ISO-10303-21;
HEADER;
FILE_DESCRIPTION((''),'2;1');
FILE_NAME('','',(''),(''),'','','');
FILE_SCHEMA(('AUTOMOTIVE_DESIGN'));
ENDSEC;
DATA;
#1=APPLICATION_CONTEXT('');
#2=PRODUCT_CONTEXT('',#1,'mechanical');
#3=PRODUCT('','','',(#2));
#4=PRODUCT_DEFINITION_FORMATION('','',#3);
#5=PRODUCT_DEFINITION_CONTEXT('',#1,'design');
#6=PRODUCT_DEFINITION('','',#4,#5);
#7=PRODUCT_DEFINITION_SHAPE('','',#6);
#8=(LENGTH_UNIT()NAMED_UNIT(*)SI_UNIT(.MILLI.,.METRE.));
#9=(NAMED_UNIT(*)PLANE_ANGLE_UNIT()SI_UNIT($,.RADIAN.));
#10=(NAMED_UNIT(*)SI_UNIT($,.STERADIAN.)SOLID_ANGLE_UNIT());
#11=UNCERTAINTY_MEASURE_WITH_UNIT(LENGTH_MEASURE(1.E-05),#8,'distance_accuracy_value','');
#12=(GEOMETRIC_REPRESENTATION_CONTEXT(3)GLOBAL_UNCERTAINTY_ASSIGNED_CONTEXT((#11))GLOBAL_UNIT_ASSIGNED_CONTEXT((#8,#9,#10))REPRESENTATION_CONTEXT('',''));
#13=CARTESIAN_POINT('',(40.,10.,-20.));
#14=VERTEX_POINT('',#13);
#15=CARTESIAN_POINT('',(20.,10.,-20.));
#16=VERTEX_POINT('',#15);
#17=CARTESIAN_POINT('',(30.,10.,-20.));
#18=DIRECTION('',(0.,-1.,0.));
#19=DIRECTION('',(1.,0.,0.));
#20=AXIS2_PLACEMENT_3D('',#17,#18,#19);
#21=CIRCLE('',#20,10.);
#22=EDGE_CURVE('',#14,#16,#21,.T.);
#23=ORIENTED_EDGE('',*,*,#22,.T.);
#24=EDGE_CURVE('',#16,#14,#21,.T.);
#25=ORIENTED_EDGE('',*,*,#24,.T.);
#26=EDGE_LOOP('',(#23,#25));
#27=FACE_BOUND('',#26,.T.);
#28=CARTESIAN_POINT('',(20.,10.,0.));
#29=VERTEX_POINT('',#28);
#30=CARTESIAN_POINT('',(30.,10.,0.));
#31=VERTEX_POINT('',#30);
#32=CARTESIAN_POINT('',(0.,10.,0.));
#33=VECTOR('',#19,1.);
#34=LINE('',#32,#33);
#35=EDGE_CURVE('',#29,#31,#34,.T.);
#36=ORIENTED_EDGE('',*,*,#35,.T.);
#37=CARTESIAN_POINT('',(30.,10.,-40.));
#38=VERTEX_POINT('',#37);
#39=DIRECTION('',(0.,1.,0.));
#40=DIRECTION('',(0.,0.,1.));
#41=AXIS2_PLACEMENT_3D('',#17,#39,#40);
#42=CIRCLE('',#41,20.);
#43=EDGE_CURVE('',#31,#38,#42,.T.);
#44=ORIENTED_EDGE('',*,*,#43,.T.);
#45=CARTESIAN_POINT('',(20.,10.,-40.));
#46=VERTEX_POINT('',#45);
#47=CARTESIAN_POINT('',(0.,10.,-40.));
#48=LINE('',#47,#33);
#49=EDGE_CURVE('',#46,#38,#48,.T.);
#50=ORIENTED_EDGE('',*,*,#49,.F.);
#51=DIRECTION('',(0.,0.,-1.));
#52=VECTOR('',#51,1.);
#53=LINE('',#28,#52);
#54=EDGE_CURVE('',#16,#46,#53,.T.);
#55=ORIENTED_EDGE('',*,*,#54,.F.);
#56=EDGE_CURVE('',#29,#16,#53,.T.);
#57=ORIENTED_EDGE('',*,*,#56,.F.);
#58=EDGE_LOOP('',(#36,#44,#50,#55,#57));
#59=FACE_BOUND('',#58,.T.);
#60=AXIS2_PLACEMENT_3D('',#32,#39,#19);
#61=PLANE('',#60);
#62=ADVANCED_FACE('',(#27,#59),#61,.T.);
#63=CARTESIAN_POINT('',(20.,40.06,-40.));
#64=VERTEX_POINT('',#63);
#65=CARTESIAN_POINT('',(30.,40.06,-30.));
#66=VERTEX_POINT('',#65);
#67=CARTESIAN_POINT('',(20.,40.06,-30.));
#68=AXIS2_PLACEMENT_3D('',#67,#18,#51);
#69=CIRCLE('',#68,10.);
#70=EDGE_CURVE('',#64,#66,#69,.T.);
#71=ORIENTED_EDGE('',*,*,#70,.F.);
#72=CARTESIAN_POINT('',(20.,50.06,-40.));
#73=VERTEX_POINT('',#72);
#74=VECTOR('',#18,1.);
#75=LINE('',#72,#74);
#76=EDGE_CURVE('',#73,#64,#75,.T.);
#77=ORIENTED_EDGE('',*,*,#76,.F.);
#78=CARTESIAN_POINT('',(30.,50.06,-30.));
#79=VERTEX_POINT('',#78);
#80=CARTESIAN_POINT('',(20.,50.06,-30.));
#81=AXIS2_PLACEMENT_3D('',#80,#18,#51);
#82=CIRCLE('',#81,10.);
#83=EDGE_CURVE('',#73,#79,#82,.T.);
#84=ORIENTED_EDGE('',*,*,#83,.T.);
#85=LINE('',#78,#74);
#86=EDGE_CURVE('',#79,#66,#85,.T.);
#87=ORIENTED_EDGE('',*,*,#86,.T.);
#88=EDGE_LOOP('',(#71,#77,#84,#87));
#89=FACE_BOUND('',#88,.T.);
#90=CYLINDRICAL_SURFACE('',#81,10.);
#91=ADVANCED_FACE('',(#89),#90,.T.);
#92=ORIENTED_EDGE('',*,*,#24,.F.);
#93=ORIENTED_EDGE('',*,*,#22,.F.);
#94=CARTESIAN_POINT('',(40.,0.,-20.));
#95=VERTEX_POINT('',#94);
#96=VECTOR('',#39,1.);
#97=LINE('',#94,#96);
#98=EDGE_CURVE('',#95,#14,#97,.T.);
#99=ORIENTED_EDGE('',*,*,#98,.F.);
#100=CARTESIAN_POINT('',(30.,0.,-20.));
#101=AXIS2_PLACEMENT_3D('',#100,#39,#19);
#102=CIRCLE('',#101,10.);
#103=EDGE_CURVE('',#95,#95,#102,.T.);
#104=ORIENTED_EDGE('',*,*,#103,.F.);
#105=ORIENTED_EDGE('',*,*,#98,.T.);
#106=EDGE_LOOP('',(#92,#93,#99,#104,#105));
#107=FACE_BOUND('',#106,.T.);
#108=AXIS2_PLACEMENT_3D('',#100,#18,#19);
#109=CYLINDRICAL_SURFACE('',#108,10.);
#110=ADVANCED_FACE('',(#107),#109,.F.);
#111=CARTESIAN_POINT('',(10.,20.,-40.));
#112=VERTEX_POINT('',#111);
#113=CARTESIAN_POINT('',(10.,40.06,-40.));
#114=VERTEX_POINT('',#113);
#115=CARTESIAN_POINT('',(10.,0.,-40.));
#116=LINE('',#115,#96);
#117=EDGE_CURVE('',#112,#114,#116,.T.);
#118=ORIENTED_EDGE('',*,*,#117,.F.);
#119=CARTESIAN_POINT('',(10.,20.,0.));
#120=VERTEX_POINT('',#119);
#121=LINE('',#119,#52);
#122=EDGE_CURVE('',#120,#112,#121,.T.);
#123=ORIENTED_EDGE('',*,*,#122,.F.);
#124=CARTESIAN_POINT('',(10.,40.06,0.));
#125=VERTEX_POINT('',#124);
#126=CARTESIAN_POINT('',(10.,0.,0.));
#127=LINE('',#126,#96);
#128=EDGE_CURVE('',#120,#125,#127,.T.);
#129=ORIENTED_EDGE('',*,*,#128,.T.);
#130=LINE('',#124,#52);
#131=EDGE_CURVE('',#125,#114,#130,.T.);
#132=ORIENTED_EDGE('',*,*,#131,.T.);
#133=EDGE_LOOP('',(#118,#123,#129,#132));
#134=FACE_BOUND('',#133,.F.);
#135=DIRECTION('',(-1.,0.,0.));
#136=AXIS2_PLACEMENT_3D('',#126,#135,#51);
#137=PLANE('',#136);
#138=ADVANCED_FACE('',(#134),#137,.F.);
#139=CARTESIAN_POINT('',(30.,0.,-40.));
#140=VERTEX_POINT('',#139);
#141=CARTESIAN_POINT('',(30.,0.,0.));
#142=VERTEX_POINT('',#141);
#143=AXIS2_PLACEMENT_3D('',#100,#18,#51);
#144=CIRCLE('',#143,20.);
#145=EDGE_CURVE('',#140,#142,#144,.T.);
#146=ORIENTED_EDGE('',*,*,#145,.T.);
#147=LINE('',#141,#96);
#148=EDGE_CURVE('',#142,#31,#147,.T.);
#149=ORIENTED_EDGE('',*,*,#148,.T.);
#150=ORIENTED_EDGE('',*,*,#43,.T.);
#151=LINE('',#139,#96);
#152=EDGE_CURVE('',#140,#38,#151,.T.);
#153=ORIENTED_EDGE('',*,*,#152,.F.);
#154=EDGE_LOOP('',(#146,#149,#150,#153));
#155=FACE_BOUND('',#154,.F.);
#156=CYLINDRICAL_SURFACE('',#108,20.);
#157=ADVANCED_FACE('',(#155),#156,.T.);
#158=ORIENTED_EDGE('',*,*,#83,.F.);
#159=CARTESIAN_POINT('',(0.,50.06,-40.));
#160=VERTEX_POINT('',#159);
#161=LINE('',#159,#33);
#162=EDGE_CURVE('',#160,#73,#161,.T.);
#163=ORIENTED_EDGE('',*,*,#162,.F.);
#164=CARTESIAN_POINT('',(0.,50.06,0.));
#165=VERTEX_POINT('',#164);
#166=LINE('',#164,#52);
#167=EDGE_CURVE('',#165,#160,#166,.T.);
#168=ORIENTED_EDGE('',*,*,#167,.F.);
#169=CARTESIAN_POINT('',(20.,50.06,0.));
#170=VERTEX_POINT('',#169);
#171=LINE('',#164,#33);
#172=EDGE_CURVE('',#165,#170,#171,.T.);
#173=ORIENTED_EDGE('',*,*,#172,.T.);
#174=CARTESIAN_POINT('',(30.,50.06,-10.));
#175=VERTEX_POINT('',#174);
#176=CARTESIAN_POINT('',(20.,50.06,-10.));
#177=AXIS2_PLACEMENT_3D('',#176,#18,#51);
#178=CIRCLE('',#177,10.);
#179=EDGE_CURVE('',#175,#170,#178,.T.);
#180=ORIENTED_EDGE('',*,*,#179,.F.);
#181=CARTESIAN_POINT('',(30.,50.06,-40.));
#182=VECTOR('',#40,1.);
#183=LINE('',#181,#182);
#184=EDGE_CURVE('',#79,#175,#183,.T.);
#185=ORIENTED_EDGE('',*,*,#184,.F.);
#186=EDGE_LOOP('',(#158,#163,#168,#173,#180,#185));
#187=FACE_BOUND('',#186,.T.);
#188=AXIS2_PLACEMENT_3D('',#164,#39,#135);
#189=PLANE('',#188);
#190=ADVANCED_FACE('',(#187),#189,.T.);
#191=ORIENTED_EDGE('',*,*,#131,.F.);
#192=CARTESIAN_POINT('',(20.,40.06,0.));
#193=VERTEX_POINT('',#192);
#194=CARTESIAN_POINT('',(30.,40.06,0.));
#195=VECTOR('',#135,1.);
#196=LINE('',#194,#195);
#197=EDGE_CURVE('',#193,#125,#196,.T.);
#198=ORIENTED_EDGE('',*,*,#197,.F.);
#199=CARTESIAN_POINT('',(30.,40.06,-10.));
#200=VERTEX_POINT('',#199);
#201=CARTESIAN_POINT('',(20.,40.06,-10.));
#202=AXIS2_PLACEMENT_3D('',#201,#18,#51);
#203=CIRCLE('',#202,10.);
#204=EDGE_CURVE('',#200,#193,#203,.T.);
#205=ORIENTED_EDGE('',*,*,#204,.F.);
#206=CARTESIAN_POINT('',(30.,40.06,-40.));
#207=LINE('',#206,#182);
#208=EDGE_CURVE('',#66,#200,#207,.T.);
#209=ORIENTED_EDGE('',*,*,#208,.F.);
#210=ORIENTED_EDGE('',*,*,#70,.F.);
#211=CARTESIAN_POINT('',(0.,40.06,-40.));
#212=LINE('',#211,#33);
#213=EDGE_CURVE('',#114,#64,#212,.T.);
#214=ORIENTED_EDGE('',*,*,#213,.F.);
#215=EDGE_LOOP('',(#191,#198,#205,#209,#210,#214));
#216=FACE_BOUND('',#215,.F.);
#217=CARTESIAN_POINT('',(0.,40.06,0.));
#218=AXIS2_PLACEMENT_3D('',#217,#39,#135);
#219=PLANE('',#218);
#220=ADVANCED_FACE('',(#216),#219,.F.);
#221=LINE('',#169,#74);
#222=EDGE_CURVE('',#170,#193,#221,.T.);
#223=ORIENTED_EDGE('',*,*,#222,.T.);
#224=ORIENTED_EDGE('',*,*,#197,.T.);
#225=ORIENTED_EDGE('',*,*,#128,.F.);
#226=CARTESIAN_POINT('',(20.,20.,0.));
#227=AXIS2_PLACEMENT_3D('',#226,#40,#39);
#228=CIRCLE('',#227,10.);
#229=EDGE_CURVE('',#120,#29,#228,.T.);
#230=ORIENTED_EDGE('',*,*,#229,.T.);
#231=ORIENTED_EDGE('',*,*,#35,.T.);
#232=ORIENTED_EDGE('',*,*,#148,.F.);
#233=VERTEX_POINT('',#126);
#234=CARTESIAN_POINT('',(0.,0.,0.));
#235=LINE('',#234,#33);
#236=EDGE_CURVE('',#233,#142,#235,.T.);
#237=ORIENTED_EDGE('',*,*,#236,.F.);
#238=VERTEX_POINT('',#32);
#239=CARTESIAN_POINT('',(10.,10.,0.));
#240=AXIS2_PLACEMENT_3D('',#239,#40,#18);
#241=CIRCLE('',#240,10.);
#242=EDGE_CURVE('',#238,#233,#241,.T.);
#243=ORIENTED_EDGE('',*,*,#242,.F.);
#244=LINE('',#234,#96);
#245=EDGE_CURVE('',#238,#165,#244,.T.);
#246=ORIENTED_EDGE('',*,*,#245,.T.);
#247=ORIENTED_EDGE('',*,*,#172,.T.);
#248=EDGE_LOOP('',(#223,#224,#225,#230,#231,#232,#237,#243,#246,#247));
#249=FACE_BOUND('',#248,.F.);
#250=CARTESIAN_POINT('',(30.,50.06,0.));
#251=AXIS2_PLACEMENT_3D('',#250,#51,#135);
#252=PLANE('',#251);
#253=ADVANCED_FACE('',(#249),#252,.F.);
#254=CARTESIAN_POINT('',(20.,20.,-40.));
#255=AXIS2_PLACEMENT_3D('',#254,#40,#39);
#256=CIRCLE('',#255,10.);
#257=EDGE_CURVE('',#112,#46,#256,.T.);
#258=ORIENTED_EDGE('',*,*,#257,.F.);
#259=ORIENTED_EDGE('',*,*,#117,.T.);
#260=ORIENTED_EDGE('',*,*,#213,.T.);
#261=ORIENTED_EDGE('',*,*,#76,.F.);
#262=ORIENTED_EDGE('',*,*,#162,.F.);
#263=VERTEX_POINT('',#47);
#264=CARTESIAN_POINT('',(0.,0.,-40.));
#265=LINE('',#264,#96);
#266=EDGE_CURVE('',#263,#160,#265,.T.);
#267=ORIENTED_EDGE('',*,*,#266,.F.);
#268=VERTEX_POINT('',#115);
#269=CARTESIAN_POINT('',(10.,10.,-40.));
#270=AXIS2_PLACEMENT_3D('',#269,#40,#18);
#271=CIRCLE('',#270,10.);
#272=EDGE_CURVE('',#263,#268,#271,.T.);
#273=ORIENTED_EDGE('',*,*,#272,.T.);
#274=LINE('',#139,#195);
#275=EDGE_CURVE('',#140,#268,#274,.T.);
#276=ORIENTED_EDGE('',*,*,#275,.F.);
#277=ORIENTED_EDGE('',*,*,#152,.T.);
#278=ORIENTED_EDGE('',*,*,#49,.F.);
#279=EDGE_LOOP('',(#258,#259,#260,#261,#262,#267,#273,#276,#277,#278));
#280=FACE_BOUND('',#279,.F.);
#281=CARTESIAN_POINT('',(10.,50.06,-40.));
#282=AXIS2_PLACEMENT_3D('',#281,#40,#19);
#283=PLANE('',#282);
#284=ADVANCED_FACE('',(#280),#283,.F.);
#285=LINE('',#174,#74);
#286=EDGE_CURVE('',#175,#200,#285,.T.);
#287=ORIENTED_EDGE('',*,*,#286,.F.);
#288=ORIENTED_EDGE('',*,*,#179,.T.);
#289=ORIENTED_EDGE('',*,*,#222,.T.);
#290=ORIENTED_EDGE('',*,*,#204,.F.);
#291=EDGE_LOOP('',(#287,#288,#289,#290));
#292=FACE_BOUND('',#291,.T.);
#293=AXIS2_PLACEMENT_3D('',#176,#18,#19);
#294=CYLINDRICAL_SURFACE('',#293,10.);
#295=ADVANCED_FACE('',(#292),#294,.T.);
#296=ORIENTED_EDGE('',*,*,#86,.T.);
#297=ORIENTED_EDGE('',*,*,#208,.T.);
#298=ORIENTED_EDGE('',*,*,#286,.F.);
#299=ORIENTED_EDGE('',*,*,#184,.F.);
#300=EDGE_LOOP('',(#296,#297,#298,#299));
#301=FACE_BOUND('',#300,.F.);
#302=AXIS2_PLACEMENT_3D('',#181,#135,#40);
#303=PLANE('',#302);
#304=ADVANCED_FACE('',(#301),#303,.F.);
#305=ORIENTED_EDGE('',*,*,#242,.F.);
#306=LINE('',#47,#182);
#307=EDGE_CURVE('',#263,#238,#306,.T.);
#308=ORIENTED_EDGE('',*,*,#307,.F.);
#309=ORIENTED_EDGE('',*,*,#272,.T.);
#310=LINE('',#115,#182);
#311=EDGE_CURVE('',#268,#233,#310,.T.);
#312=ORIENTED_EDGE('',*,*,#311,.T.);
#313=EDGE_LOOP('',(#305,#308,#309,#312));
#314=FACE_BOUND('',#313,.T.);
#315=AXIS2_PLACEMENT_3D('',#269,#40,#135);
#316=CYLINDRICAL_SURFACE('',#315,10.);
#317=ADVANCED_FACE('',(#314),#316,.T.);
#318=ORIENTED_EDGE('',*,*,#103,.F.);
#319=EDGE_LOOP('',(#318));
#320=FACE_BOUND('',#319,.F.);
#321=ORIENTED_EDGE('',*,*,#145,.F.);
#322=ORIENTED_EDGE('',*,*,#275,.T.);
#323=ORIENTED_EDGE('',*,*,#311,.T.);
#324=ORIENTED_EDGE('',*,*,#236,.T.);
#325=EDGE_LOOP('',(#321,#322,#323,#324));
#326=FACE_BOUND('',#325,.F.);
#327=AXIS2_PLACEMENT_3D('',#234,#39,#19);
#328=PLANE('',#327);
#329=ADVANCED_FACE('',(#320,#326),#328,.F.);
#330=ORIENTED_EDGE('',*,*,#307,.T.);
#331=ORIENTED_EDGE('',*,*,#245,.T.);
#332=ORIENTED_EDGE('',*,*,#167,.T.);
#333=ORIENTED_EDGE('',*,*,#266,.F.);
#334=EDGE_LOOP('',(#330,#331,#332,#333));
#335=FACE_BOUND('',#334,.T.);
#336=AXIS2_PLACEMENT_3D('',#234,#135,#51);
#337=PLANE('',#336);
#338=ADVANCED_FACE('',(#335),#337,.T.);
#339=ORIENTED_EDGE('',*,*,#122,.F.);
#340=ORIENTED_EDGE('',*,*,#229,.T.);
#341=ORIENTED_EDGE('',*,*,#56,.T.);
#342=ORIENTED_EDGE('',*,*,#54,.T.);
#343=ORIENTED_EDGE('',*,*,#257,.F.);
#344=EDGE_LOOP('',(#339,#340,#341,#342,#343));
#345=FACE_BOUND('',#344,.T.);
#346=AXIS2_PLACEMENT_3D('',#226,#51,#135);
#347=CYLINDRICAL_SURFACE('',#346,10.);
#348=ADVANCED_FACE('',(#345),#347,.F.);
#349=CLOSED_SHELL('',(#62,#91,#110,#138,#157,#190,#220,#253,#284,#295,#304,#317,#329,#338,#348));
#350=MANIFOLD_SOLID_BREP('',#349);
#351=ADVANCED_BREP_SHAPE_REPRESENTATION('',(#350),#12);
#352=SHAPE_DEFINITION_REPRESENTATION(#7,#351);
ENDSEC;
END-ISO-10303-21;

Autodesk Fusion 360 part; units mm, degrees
sketch "Sketch1" plane through (0, 0, 0) normal (0, 1, 0) x (1, 0, 0)
  line L0 (0, 0) -> (0, 40)
  line L1 (0, 20) -> (30, 20)
  circle A0 centre (30, 20) radius 10
  circle A1 centre (30, 20) radius 20
  line L2 (0, 40) -> (30, 40)
  line L3 (0, 0) -> (30, 0)
  line L4 (0, 40) -> (10, 40)
  line L5 (10, 0) -> (10, 40)
  line L6 (10, 0) -> (0, 0)
  line L7 (30, 40) -> (30, 0)
  dimension "d1" = 40
  dimension "d3" = 20
  dimension "d4" = 10
extrude "Extrude1" add sketch "Sketch1" along normal blind 50.06 contours L0 L1 L3 L5 L6 | L0 L1 L2 L4 L5
extrude "Extrude2" add sketch "Sketch1" along normal blind 10 contours A1 L3 L5 | L1 A0 A1 L7 | A1 L2 L5 | L1 A0 A1 L7 | A0 A1 L7
sketch "Sketch2" plane through (0, 50.06, 0) normal (0, 1, 0) x (-1, 0, 0)
  line L0 (-10, 0) -> (-10, -40)
  line L1 (-10, -40) -> (0, -40)
  line L2 (0, -40) -> (0, 0)
  line L3 (0, 0) -> (-10, 0)
  line L4 (0, -40) -> (-30, -40)
  line L5 (-30, -40) -> (-30, 0)
  line L6 (-30, 0) -> (0, 0)
extrude "Extrude3" add sketch "Sketch2" against normal blind 10 contours L0 L4 L5 L6
fillet "Fillet1" radius 10 4 edges at (10, 10, -20) (0, 0, -20) (30, 45.06, 0) (30, 45.06, -40)
